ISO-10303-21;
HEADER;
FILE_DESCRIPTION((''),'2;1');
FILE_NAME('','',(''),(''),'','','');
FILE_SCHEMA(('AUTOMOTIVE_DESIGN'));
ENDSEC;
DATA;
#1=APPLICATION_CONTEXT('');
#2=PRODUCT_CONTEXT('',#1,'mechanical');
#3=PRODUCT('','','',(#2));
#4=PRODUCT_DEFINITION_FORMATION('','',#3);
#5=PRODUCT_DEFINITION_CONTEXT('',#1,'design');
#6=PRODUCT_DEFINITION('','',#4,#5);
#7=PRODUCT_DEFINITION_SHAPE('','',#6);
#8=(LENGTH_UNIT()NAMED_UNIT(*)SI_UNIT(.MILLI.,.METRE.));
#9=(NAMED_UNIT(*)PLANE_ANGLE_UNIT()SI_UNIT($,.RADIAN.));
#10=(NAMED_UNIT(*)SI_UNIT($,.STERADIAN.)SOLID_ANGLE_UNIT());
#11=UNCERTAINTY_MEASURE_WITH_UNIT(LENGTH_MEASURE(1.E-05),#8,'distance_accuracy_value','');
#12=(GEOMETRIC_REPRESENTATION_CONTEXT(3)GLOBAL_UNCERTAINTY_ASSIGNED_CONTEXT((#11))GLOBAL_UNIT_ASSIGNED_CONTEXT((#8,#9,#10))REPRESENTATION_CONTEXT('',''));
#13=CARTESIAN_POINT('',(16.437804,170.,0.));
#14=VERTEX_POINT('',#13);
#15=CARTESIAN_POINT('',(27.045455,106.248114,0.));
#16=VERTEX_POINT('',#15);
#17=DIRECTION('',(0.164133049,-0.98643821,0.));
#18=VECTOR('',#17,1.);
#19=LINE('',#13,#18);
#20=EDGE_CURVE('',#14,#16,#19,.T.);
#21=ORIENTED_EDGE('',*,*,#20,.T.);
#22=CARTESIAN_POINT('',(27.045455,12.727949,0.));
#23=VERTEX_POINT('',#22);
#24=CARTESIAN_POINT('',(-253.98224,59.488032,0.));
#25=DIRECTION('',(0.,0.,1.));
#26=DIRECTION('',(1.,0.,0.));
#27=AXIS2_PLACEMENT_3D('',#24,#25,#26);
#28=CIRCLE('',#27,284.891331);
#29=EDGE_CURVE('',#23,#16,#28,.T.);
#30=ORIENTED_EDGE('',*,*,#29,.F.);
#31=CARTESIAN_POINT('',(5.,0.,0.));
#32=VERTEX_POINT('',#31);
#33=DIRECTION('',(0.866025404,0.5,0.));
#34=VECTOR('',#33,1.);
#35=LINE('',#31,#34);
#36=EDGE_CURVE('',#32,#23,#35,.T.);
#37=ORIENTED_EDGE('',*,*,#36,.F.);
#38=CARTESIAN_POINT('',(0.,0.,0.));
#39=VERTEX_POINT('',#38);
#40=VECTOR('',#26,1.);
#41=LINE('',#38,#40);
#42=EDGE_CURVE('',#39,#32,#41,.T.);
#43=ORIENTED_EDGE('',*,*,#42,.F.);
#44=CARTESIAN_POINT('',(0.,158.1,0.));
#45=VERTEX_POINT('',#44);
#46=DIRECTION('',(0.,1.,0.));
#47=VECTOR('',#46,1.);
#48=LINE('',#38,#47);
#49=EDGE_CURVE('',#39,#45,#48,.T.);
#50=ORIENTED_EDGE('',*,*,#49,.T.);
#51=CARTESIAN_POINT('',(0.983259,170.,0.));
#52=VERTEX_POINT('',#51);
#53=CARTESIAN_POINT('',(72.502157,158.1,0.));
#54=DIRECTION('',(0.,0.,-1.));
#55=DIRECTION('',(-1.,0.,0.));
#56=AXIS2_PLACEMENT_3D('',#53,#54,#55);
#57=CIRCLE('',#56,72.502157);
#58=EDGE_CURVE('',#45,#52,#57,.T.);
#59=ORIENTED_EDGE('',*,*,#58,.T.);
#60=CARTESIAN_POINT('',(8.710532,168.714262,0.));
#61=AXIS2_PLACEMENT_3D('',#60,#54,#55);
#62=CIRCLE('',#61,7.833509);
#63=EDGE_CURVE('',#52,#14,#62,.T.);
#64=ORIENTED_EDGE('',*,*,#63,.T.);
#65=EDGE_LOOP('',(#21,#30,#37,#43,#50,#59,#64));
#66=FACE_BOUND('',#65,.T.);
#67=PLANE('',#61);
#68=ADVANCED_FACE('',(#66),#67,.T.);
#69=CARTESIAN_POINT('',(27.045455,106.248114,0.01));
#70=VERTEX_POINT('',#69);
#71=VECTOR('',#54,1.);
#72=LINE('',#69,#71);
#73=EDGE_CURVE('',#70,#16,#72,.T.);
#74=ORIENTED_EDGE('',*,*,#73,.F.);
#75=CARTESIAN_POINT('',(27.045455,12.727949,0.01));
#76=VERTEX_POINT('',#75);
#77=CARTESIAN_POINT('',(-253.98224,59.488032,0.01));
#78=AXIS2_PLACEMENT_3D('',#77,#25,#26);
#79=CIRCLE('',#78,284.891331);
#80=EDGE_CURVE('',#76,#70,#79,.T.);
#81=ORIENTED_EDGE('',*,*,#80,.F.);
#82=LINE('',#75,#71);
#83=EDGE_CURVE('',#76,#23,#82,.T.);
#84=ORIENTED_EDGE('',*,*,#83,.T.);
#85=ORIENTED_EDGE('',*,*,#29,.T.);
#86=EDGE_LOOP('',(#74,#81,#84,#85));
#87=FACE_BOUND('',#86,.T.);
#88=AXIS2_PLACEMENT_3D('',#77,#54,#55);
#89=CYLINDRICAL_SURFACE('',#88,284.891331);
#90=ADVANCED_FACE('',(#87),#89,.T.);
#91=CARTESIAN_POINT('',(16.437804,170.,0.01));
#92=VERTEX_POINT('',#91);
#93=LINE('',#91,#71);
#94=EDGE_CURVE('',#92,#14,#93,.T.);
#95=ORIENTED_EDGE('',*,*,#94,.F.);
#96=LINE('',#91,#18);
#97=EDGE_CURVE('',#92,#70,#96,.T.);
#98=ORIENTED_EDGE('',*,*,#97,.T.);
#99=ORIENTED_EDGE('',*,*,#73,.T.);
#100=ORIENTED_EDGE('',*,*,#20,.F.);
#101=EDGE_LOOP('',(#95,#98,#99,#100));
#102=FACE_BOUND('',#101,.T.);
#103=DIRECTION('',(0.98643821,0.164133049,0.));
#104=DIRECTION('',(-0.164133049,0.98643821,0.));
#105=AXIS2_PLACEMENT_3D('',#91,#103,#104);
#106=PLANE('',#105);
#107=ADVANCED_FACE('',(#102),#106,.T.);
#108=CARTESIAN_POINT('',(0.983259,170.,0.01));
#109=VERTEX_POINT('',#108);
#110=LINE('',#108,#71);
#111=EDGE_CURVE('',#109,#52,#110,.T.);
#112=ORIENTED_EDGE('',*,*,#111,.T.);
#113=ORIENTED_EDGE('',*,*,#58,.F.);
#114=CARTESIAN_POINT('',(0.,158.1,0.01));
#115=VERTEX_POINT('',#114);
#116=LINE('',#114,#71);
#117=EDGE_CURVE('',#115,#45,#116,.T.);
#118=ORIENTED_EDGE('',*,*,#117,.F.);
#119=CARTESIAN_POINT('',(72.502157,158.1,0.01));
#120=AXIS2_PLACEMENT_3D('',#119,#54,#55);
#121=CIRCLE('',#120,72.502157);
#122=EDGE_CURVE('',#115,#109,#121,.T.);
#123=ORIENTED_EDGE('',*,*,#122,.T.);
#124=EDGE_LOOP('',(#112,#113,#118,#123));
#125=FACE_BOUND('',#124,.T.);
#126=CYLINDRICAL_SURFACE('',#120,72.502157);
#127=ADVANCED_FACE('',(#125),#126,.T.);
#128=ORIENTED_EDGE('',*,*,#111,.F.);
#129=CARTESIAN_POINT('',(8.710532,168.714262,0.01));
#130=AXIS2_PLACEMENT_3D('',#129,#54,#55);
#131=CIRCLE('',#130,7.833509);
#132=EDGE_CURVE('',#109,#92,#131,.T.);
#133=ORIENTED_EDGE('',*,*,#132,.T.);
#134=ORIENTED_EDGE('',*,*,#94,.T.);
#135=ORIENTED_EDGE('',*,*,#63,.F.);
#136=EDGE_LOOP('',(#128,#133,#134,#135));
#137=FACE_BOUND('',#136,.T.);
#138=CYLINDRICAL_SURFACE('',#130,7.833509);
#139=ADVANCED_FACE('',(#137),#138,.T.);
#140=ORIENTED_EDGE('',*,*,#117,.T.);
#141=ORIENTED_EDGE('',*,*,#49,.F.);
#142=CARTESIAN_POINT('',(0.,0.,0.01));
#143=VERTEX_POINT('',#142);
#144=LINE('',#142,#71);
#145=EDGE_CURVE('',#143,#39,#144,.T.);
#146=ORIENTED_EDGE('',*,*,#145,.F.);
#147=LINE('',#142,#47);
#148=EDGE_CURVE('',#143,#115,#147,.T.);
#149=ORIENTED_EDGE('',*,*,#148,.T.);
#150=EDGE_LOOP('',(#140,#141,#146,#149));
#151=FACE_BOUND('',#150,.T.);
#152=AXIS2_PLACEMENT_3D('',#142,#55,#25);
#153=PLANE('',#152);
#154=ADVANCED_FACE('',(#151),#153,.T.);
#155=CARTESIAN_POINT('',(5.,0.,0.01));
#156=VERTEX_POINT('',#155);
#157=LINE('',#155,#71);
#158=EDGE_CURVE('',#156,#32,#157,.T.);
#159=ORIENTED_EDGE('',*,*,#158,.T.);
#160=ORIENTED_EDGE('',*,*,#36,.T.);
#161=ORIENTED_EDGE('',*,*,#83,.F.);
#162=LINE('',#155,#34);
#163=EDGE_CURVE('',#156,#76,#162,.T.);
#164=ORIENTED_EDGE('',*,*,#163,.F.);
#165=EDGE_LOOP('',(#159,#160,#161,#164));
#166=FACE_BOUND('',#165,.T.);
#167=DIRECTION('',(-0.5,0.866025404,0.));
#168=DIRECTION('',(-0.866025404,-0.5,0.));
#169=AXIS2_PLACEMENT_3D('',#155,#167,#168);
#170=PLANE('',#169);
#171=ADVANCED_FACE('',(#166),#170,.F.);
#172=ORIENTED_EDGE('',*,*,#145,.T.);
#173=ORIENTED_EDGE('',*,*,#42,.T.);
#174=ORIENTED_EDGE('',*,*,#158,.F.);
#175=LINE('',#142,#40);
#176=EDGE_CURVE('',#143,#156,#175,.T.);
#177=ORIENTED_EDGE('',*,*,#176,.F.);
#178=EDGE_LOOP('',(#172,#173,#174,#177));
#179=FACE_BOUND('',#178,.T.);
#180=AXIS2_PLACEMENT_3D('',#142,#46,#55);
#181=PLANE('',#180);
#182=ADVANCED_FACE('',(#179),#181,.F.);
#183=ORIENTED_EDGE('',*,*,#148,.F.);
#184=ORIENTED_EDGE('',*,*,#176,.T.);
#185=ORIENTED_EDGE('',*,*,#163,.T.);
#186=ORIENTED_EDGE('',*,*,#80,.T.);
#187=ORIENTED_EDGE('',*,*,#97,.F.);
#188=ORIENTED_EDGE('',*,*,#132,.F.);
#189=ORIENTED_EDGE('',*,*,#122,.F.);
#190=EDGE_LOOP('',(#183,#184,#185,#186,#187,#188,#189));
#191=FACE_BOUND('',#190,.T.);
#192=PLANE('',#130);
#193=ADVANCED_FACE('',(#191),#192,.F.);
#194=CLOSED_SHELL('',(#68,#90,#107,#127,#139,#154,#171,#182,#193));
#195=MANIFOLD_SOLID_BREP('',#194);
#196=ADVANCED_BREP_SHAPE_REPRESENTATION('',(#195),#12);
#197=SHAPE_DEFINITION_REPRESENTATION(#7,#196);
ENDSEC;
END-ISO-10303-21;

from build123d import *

# Parameters (mm, degrees)
BOSS_EXTRUDE1_DEPTH = 0.01


with BuildPart() as part:
    # Sketch1 → Boss-Extrude1 (new body)
    with BuildSketch(Plane(origin=(0, 0, 0), x_dir=(0, 1, 0), z_dir=(0, 0, 1))):
        with BuildLine():
            Line((0, 0), (158.1, 0))
            ThreePointArc((158.1, 0), (164.07027634, -0.246232884), (170, -0.983259015))
            ThreePointArc((170, -0.983259015), (176.547771398, -8.710531742), (170, -16.437804469))
            Line((170, -16.437804469), (106.248114269, -27.045454545))
            ThreePointArc((106.248114269, -27.045454545), (59.488031692, -30.909090909), (12.727949116, -27.045454545))
            Line((12.727949116, -27.045454545), (0, -5))
            Line((0, -5), (0, 0))
        make_face()
    extrude(amount=BOSS_EXTRUDE1_DEPTH)


solid = part.part
